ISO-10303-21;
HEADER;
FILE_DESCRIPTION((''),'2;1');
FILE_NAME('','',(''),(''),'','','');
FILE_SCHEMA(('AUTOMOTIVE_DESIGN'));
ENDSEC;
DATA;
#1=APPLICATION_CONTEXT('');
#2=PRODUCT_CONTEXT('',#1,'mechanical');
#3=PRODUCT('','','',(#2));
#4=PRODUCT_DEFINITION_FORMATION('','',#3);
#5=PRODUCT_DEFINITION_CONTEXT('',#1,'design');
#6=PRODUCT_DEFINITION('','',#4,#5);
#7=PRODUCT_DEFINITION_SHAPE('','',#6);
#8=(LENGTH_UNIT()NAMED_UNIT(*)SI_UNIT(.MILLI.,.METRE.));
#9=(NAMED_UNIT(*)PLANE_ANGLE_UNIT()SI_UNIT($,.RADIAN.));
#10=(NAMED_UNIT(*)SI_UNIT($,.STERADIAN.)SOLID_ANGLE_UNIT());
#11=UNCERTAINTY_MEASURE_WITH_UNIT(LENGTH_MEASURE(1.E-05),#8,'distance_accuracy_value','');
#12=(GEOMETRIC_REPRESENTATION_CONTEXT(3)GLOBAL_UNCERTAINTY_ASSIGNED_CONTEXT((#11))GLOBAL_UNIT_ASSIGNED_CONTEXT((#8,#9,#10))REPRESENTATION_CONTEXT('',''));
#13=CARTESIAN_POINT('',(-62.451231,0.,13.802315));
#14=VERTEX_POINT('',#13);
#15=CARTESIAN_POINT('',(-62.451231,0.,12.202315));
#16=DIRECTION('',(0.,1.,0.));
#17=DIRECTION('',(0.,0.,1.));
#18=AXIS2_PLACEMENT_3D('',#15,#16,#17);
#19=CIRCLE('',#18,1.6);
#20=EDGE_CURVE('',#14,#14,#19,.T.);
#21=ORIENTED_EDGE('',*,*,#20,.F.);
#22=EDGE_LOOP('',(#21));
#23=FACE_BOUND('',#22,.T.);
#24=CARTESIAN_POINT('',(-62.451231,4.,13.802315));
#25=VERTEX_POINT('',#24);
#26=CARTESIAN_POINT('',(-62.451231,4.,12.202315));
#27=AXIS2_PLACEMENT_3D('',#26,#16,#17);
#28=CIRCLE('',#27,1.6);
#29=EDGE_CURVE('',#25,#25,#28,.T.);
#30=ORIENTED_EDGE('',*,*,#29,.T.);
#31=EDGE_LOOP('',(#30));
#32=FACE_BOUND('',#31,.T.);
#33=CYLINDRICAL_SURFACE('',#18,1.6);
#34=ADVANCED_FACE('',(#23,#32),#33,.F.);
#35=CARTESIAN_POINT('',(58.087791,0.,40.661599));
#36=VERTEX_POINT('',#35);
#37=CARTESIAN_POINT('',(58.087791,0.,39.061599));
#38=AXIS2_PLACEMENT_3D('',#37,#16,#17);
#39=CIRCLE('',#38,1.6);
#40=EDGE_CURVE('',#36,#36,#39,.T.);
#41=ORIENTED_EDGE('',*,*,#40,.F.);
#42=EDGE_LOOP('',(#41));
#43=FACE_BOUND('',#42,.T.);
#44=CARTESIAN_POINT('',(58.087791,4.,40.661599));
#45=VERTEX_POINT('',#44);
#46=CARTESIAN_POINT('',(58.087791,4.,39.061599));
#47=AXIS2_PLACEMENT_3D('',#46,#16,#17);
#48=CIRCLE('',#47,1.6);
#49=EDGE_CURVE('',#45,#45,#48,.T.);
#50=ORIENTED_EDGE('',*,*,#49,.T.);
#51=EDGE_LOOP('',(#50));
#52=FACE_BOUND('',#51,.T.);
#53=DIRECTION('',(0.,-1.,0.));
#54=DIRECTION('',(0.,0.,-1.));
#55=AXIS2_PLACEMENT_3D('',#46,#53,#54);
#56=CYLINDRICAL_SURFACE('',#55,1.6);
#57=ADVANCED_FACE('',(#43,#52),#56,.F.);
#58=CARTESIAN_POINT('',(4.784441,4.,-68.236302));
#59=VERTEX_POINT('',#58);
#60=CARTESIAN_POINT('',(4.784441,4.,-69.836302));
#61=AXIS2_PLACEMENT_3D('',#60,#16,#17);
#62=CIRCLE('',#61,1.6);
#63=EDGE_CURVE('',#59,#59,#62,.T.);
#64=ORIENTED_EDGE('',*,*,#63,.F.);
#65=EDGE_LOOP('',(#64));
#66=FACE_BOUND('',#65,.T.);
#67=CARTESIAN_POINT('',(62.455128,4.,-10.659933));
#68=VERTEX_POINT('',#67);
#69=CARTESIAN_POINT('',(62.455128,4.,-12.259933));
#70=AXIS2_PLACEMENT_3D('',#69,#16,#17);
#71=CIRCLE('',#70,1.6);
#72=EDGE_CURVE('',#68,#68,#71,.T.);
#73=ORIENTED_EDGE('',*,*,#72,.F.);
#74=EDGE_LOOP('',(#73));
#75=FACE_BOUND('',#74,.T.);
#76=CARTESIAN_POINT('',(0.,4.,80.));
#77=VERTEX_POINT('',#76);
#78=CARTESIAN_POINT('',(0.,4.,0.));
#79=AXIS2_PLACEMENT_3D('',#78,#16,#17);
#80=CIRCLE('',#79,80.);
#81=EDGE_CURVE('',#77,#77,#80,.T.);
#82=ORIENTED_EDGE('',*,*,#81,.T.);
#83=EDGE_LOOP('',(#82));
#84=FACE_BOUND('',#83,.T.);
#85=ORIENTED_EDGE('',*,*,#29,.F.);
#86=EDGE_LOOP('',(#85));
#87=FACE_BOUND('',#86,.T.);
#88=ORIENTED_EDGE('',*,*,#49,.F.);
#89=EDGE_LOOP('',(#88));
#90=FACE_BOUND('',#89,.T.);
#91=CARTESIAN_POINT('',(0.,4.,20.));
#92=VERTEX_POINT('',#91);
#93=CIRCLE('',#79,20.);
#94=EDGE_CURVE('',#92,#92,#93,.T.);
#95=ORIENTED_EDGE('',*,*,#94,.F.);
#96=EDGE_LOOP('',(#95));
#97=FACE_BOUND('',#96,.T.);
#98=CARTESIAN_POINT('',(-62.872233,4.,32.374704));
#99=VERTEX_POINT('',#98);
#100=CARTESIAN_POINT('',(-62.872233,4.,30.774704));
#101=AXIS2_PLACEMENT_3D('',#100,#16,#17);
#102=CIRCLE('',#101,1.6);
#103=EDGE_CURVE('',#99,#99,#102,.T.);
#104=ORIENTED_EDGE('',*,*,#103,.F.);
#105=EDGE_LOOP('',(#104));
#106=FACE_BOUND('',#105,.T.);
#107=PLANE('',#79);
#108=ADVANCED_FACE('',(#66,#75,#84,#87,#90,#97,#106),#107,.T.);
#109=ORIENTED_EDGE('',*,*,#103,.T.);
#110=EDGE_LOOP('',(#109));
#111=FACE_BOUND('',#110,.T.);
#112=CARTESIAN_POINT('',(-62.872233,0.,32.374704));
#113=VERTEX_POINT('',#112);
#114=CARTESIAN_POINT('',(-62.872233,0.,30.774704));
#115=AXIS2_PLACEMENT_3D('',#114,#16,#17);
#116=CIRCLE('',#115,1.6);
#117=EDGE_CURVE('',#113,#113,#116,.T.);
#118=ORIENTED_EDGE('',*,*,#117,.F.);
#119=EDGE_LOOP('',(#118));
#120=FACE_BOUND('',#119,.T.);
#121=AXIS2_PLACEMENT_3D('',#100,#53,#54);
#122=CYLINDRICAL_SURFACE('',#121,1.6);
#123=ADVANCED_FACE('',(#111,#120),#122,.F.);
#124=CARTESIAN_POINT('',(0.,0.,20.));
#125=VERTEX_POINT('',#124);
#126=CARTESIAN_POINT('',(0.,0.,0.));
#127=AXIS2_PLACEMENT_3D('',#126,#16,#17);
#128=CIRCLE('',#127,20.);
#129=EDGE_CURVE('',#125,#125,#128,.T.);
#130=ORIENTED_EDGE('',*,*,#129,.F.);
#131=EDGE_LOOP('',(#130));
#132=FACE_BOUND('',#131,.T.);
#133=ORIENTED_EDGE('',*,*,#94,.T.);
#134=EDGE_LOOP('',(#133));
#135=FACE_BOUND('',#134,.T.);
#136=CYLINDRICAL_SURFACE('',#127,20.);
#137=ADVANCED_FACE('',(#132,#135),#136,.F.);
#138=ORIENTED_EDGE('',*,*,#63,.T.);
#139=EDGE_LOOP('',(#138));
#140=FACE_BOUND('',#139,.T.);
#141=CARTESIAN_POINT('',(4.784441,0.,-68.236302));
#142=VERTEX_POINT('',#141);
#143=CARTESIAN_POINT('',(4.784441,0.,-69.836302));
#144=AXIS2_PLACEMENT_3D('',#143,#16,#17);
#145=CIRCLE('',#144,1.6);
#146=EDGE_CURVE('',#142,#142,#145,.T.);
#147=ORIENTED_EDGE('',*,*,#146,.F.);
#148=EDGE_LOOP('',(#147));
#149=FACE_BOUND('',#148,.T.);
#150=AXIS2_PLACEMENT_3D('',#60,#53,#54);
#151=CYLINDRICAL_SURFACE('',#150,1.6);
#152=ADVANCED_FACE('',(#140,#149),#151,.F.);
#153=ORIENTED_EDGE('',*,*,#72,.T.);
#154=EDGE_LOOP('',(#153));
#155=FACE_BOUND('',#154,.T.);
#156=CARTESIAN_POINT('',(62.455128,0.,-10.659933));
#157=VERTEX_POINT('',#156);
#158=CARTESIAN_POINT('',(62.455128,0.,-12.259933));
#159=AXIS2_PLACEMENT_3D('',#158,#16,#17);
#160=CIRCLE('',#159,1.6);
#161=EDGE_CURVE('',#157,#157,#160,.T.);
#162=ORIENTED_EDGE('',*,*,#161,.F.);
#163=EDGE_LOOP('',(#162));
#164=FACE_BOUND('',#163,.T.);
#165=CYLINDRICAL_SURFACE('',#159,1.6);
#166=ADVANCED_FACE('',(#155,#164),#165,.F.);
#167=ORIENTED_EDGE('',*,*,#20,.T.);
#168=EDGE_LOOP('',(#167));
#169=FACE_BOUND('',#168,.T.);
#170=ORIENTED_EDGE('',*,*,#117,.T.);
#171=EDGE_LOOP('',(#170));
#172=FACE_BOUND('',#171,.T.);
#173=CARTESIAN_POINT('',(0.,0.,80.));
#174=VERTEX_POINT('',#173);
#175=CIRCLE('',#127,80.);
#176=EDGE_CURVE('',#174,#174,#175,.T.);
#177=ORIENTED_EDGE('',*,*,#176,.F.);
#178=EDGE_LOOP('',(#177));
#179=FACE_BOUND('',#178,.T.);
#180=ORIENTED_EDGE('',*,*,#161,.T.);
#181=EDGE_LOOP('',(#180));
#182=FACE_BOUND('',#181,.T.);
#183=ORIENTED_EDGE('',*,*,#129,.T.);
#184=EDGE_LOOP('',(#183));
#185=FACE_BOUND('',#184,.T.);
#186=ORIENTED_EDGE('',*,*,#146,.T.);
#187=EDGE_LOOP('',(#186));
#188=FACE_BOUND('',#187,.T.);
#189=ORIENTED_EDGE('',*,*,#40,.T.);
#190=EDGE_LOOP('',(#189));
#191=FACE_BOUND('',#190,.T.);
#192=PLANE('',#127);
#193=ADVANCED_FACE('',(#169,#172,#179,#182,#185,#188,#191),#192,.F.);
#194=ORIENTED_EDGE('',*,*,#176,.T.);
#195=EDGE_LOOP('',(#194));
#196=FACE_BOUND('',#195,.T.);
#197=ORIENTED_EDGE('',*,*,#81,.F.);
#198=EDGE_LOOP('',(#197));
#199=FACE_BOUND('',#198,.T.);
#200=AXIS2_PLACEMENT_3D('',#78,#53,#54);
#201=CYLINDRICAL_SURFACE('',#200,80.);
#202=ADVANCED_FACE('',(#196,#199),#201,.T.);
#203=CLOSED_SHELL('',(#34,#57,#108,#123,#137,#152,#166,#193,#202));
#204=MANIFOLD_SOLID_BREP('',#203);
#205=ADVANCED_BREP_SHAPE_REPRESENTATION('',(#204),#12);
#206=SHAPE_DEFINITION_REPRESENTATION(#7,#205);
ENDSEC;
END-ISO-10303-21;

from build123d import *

# Parameters (mm, degrees)
SKETCH_1_R               = 80
SKETCH_1_R_2             = 1.6
EXTRUDE_1_DEPTH          = 4
CUT_EXTRUDE_1_DEPTH      = 114.207773585
CUT_EXTRUDE_1_DEPTH_BACK = 114.207773585
SKETCH_2_R               = 1.6
CUT_EXTRUDE_2_DEPTH      = 114.207773585
CUT_EXTRUDE_2_DEPTH_BACK = 114.207773585
SKETCH_3_R               = 20


with BuildPart() as part:
    # 草图1 → 凸台-拉伸1 (new body)
    with BuildSketch(Plane(origin=(0, 0, 0), x_dir=(1, 0, 0), z_dir=(0, 1, 0))):
        with Locations(Location((0, 0, 0), (0, 0, 270))):
            Circle(SKETCH_1_R)
        with Locations(Location((4.784441198, 69.836302325, 0), (0, 0, 270))):
            Circle(SKETCH_1_R_2, mode=Mode.SUBTRACT)
        with Locations(Location((-62.872232519, -30.774703542, 0), (0, 0, 270))):
            Circle(SKETCH_1_R_2, mode=Mode.SUBTRACT)
        with Locations(Location((58.087791321, -39.061598783, 0), (0, 0, 270))):
            Circle(SKETCH_1_R_2, mode=Mode.SUBTRACT)
    extrude(amount=EXTRUDE_1_DEPTH)

    # 草图2 → 切除-拉伸1 (cut, two sides: drawn at the far end of the back side and taken through both)
    with BuildSketch(Plane(origin=(0, 4, 0), x_dir=(1, 0, 0), z_dir=(0, 1, 0)).offset(-CUT_EXTRUDE_1_DEPTH_BACK)):
        with Locations(Location((-62.451230924, -12.202314724, 0), (0, 0, 270))):
            Circle(SKETCH_2_R)
        with Locations(Location((62.455127781, 12.259932826, 0), (0, 0, 270))):
            Circle(SKETCH_2_R)
    extrude(amount=CUT_EXTRUDE_1_DEPTH + CUT_EXTRUDE_1_DEPTH_BACK, mode=Mode.SUBTRACT)

    # 草图3 → 切除-拉伸2 (cut, two sides: drawn at the far end of the back side and taken through both)
    with BuildSketch(Plane(origin=(0, 4, 0), x_dir=(1, 0, 0), z_dir=(0, 1, 0)).offset(-CUT_EXTRUDE_2_DEPTH_BACK)):
        with Locations(Location((0, 0, 0), (0, 0, 270))):
            Circle(SKETCH_3_R)
    extrude(amount=CUT_EXTRUDE_2_DEPTH + CUT_EXTRUDE_2_DEPTH_BACK, mode=Mode.SUBTRACT)


solid = part.part
